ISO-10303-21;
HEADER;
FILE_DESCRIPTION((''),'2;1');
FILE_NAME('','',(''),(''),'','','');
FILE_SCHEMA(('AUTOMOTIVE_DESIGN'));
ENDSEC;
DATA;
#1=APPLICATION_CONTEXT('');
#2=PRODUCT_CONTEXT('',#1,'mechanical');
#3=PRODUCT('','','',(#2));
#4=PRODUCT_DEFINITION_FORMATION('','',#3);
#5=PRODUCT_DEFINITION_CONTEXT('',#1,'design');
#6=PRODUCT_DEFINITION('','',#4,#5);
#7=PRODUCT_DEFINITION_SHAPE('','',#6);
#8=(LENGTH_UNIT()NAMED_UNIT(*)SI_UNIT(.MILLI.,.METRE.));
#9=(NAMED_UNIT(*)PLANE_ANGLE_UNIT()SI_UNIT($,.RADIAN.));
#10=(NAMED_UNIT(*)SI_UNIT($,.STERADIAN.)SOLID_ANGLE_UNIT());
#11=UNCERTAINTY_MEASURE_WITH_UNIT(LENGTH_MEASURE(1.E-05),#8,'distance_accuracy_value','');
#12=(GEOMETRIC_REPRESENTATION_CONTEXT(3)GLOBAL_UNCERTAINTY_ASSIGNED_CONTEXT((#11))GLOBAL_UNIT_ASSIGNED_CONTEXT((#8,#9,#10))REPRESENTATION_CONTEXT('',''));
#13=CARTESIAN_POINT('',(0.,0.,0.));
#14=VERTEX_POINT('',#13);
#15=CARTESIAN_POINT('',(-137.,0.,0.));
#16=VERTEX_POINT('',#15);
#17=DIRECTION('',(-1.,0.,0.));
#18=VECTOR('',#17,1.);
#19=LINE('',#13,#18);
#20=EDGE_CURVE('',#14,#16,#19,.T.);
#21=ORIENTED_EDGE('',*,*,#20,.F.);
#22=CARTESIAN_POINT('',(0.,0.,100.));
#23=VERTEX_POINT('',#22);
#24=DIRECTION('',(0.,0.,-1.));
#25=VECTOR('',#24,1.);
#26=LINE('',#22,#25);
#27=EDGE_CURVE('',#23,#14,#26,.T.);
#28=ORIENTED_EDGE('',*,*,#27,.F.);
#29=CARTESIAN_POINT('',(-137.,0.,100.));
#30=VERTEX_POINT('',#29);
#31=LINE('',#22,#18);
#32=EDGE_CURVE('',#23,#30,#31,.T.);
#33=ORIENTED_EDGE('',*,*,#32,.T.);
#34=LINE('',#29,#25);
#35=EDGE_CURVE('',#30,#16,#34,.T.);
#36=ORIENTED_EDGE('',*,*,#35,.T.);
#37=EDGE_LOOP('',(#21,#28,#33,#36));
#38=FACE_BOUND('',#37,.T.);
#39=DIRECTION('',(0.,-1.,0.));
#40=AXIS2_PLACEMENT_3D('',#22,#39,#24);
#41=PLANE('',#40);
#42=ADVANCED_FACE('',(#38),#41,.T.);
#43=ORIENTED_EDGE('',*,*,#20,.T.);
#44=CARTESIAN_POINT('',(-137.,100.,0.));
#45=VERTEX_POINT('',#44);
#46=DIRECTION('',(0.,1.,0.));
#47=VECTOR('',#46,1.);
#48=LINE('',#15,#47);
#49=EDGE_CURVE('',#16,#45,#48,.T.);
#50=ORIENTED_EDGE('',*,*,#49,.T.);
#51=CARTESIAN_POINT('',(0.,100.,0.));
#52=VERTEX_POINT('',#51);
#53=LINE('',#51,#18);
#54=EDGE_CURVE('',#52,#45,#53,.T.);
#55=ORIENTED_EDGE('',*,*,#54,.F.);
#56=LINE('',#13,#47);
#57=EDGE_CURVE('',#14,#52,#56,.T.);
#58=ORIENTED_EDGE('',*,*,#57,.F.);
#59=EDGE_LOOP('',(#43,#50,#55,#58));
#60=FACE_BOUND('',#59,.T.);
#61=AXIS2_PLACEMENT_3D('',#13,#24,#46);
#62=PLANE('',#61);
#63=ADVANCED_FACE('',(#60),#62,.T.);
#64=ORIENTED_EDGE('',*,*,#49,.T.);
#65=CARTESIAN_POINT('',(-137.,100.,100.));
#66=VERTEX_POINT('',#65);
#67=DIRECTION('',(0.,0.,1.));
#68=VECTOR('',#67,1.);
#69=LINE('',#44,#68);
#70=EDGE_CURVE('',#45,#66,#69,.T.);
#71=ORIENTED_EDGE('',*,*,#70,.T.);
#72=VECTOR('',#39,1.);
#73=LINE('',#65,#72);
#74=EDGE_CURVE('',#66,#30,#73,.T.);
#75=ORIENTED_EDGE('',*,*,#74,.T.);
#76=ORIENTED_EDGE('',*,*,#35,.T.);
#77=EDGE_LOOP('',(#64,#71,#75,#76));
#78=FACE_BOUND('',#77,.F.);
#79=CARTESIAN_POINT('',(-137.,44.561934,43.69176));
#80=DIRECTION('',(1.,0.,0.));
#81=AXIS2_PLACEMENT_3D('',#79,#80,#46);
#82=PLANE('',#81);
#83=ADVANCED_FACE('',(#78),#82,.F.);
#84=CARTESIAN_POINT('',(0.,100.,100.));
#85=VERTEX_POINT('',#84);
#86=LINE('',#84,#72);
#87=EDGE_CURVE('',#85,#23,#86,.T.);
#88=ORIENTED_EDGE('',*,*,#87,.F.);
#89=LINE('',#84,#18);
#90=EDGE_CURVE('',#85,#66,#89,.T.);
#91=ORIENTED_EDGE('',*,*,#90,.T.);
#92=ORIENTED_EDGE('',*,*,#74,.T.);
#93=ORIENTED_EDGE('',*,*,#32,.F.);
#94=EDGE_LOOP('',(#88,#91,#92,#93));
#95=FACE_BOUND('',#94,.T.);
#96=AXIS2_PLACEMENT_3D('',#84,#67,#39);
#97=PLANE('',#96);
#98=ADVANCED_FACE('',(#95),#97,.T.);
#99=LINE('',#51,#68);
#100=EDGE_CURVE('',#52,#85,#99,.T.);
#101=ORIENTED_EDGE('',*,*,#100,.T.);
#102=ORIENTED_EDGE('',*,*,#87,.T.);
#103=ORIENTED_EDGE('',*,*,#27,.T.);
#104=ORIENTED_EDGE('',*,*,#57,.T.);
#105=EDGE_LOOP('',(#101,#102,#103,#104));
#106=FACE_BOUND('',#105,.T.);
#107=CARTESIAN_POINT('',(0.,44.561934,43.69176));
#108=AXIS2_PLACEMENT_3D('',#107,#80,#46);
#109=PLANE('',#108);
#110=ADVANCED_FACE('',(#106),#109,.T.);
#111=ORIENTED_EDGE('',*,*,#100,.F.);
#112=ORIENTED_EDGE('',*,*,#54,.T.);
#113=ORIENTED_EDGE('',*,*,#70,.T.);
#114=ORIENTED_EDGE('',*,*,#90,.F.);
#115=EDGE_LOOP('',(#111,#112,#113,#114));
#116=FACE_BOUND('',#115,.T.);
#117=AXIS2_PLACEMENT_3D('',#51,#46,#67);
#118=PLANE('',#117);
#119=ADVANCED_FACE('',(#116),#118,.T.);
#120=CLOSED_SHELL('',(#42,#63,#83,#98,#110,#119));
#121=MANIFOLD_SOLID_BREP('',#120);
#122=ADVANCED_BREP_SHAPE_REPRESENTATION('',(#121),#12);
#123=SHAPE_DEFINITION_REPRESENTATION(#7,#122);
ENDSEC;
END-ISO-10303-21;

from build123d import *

# Parameters (mm, degrees)
F0_W     = 50
F0_H     = 45
F1_DEPTH = 137


with BuildPart() as f1:
    # F0 (on Right) → F1 (new body)
    with BuildSketch(Plane.YZ):
        with BuildLine():
            Line((0, 100), (0, 0))
            Line((0, 0), (36.25, 0))
            ThreePointArc((36.25, 0), (50, 13.75), (63.75, 0))
            Line((63.75, 0), (100, 0))
            Line((100, 0), (100, 55))
            Line((100, 55), (50, 55))
            Line((50, 55), (50, 100))
            Line((50, 100), (0, 100))
        make_face()
        with BuildLine():
            ThreePointArc((63.75, 0), (50, 13.75), (36.25, 0))
            Line((36.25, 0), (63.75, 0))
        make_face()
        with Locations((75, 77.5)):
            Rectangle(F0_W, F0_H)
    extrude(amount=-F1_DEPTH)


solid = f1.part
